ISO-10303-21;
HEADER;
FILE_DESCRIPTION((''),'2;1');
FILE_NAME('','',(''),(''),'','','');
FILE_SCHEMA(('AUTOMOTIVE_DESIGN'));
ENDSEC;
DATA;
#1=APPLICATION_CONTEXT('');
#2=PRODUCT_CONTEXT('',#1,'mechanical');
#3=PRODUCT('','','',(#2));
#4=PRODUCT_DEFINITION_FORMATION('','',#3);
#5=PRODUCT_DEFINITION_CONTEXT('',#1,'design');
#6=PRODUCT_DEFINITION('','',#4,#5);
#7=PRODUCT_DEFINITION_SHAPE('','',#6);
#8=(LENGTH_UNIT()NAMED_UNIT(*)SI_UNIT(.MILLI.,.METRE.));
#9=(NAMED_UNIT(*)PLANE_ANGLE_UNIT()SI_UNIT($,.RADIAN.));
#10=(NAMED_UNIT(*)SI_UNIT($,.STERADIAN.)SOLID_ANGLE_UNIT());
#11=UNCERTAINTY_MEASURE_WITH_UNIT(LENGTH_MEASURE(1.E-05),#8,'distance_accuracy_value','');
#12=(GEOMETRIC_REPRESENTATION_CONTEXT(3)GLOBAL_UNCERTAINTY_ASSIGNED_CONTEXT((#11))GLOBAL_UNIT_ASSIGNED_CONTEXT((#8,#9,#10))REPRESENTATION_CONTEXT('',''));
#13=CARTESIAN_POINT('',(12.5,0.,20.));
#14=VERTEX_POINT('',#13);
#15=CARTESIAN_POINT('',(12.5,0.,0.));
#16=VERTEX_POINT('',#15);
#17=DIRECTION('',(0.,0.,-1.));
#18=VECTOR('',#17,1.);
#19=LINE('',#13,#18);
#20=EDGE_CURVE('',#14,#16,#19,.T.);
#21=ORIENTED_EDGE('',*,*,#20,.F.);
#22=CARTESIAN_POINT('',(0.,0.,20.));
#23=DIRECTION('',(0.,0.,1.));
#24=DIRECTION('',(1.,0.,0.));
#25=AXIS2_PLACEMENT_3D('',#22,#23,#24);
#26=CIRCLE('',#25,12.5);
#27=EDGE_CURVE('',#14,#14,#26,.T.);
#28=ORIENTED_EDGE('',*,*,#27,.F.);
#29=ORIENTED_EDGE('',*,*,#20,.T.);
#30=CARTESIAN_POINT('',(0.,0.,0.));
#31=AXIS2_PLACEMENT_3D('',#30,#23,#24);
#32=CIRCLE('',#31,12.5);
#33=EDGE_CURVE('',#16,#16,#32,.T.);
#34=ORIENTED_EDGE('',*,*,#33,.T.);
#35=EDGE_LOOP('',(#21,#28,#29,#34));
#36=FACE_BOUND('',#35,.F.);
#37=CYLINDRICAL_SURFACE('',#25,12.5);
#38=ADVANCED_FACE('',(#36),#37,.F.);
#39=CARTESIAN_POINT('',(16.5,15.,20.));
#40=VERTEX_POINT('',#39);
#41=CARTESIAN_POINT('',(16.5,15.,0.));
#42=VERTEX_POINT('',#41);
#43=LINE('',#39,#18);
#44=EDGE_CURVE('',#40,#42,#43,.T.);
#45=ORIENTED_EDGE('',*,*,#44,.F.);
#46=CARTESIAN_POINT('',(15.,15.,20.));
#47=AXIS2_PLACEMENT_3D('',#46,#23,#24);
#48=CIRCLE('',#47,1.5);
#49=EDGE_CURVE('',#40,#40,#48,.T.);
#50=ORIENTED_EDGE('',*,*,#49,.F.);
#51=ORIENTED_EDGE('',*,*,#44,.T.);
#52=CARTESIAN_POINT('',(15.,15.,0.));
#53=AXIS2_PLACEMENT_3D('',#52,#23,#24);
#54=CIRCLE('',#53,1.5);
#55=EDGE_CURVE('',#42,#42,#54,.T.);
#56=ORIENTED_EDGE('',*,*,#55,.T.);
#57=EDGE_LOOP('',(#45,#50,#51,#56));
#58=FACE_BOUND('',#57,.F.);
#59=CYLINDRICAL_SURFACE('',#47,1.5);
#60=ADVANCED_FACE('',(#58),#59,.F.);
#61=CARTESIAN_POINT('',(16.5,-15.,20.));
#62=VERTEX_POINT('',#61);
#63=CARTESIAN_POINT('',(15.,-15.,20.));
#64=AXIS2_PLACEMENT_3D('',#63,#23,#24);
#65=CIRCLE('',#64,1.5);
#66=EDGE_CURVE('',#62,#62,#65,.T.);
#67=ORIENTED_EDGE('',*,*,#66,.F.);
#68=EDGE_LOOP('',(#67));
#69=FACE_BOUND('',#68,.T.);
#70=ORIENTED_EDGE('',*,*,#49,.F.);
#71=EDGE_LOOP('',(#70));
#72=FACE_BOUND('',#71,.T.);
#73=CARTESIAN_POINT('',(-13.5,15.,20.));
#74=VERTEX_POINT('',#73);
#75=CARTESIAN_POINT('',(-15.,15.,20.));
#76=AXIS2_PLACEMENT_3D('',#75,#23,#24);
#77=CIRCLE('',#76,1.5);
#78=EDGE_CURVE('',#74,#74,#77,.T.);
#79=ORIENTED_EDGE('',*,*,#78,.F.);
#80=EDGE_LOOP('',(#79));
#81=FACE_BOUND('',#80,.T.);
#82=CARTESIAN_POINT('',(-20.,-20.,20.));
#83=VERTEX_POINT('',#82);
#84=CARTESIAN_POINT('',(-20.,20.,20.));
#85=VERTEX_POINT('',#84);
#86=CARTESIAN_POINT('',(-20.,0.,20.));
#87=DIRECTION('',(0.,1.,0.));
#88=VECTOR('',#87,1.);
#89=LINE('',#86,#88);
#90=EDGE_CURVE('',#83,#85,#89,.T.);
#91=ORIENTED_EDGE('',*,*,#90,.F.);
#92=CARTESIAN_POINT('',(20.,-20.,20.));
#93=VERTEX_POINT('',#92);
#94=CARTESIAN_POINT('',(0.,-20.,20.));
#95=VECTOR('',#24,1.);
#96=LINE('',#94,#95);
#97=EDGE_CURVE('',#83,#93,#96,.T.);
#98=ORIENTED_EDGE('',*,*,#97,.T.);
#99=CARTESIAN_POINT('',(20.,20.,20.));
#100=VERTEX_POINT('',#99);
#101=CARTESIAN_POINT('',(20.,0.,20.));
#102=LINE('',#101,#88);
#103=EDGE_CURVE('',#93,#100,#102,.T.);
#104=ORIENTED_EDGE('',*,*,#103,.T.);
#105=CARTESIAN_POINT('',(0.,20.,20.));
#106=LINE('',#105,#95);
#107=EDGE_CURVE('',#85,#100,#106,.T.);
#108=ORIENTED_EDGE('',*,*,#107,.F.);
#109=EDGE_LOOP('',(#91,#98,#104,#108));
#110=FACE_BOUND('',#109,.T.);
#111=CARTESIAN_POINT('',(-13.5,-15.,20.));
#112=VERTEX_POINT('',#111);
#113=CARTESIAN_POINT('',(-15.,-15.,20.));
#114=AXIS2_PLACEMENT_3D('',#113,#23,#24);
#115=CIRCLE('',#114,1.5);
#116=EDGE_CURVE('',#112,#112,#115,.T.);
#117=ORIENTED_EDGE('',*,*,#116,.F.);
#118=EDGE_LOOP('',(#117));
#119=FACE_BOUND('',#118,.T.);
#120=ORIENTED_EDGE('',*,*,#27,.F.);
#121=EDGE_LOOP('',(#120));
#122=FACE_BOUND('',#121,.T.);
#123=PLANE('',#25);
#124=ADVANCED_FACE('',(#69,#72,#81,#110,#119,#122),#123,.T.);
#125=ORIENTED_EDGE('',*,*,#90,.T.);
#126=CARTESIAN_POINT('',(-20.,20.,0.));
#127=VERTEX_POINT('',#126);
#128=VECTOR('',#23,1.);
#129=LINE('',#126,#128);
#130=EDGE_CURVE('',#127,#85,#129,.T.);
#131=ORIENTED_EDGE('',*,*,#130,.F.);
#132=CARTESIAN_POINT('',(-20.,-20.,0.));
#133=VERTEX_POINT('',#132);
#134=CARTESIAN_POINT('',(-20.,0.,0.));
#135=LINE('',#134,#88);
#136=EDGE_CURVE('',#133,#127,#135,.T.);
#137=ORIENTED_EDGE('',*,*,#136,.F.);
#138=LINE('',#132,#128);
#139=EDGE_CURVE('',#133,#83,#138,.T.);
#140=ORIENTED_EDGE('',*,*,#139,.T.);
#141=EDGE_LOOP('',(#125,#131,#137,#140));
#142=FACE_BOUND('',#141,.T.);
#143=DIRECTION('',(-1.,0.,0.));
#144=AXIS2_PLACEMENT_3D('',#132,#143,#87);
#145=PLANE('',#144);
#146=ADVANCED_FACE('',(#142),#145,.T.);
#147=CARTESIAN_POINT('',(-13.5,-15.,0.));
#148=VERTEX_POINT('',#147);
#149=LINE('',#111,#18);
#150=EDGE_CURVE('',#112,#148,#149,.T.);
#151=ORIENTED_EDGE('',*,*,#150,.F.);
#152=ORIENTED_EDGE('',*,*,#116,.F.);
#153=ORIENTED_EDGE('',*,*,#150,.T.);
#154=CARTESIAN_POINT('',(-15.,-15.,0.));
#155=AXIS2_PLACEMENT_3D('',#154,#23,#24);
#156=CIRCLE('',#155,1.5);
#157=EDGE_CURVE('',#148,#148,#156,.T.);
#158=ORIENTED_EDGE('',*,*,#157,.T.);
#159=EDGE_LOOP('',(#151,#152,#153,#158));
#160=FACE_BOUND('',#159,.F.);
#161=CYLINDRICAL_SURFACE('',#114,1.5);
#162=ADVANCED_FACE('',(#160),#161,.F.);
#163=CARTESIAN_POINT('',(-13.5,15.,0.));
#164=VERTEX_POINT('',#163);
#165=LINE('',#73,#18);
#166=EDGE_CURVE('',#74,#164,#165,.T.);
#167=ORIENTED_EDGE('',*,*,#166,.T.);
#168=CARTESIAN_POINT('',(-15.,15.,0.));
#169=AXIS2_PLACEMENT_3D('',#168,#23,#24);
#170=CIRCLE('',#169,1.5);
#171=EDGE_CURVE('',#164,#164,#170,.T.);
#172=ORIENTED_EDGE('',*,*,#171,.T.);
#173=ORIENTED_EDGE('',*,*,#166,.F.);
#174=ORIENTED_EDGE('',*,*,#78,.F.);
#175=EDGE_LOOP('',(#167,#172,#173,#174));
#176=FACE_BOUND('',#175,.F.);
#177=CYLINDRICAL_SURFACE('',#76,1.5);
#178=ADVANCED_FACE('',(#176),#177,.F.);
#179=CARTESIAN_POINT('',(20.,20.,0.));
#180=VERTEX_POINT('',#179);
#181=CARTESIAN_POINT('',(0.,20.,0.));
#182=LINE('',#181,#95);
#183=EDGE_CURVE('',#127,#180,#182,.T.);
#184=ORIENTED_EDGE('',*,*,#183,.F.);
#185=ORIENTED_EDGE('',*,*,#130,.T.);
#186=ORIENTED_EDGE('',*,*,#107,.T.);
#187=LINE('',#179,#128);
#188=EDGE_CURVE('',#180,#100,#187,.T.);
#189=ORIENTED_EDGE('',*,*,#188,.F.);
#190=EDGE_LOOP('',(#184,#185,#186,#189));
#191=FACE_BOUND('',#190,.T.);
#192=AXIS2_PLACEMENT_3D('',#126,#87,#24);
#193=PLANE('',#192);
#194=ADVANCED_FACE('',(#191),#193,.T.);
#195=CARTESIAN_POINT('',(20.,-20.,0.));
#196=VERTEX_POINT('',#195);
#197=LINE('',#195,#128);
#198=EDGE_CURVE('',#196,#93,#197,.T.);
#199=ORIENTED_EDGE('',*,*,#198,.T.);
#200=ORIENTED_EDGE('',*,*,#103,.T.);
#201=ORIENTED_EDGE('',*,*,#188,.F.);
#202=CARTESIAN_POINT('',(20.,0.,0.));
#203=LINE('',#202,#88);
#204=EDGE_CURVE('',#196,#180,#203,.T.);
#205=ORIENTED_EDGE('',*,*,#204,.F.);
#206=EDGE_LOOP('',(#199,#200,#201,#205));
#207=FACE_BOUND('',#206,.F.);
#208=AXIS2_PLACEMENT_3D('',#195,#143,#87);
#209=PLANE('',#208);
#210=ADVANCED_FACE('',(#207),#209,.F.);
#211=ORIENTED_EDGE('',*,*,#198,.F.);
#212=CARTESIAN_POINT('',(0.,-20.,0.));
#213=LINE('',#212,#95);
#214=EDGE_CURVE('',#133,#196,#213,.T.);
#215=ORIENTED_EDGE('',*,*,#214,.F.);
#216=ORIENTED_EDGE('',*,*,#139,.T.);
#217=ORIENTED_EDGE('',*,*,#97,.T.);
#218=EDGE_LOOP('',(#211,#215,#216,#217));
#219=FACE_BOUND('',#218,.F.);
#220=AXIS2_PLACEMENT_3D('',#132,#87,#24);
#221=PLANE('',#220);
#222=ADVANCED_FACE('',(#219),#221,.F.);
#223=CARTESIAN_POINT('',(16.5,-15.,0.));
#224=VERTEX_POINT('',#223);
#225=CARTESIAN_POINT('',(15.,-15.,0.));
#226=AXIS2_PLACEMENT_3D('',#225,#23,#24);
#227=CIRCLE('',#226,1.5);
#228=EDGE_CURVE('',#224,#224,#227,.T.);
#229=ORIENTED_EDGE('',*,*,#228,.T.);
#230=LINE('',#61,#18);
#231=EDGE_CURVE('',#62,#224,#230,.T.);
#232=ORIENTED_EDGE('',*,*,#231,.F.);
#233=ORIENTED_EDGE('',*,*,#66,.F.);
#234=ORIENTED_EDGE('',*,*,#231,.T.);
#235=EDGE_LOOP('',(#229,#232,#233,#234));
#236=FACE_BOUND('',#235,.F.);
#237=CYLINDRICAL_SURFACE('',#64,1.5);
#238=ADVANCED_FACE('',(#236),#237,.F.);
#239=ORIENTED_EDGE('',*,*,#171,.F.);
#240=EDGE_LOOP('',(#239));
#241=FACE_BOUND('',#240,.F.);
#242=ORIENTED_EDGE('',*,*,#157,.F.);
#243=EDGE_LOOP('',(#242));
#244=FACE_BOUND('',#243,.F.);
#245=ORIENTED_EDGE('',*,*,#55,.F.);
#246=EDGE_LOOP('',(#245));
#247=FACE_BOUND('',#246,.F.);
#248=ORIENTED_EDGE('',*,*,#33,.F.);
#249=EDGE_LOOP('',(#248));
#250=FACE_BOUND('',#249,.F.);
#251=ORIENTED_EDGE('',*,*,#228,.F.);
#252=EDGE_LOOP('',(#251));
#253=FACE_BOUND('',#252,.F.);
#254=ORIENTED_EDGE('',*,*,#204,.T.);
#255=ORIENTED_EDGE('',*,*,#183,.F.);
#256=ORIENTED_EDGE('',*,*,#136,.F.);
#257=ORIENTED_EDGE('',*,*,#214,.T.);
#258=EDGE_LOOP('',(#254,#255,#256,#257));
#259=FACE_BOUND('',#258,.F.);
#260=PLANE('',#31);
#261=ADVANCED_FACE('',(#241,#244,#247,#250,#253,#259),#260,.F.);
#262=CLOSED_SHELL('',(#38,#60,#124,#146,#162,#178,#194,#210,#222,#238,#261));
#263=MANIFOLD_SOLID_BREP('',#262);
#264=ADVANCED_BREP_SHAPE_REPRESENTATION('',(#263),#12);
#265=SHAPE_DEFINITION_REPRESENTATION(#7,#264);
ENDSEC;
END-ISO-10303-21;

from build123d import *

# Parameters (mm, degrees)
F0_W     = 40
F0_H     = 40
F1_DEPTH = 20
F2_R     = 12.5
F3_DEPTH = 20
F4_R     = 1.5
F5_DEPTH = 25.4


with BuildPart() as f1:
    # F0 (on Top) → F1 (new body)
    with BuildSketch(Plane.XY):
        Rectangle(F0_W, F0_H)
    extrude(amount=F1_DEPTH)

    # F2 (on face) → F3 (cut, through all)
    with BuildSketch(Plane.XY.offset(20)):
        Circle(F2_R)
    extrude(amount=-F3_DEPTH, mode=Mode.SUBTRACT)

    # F4 (on face) → F5 (cut)
    with BuildSketch(Plane.XY.offset(20)):
        with Locations((15, 15)):
            Circle(F4_R)
        with Locations((15, -15)):
            Circle(F4_R)
        with Locations((-15, -15)):
            Circle(F4_R)
        with Locations((-15, 15)):
            Circle(F4_R)
    extrude(amount=-F5_DEPTH, mode=Mode.SUBTRACT)


solid = f1.part
